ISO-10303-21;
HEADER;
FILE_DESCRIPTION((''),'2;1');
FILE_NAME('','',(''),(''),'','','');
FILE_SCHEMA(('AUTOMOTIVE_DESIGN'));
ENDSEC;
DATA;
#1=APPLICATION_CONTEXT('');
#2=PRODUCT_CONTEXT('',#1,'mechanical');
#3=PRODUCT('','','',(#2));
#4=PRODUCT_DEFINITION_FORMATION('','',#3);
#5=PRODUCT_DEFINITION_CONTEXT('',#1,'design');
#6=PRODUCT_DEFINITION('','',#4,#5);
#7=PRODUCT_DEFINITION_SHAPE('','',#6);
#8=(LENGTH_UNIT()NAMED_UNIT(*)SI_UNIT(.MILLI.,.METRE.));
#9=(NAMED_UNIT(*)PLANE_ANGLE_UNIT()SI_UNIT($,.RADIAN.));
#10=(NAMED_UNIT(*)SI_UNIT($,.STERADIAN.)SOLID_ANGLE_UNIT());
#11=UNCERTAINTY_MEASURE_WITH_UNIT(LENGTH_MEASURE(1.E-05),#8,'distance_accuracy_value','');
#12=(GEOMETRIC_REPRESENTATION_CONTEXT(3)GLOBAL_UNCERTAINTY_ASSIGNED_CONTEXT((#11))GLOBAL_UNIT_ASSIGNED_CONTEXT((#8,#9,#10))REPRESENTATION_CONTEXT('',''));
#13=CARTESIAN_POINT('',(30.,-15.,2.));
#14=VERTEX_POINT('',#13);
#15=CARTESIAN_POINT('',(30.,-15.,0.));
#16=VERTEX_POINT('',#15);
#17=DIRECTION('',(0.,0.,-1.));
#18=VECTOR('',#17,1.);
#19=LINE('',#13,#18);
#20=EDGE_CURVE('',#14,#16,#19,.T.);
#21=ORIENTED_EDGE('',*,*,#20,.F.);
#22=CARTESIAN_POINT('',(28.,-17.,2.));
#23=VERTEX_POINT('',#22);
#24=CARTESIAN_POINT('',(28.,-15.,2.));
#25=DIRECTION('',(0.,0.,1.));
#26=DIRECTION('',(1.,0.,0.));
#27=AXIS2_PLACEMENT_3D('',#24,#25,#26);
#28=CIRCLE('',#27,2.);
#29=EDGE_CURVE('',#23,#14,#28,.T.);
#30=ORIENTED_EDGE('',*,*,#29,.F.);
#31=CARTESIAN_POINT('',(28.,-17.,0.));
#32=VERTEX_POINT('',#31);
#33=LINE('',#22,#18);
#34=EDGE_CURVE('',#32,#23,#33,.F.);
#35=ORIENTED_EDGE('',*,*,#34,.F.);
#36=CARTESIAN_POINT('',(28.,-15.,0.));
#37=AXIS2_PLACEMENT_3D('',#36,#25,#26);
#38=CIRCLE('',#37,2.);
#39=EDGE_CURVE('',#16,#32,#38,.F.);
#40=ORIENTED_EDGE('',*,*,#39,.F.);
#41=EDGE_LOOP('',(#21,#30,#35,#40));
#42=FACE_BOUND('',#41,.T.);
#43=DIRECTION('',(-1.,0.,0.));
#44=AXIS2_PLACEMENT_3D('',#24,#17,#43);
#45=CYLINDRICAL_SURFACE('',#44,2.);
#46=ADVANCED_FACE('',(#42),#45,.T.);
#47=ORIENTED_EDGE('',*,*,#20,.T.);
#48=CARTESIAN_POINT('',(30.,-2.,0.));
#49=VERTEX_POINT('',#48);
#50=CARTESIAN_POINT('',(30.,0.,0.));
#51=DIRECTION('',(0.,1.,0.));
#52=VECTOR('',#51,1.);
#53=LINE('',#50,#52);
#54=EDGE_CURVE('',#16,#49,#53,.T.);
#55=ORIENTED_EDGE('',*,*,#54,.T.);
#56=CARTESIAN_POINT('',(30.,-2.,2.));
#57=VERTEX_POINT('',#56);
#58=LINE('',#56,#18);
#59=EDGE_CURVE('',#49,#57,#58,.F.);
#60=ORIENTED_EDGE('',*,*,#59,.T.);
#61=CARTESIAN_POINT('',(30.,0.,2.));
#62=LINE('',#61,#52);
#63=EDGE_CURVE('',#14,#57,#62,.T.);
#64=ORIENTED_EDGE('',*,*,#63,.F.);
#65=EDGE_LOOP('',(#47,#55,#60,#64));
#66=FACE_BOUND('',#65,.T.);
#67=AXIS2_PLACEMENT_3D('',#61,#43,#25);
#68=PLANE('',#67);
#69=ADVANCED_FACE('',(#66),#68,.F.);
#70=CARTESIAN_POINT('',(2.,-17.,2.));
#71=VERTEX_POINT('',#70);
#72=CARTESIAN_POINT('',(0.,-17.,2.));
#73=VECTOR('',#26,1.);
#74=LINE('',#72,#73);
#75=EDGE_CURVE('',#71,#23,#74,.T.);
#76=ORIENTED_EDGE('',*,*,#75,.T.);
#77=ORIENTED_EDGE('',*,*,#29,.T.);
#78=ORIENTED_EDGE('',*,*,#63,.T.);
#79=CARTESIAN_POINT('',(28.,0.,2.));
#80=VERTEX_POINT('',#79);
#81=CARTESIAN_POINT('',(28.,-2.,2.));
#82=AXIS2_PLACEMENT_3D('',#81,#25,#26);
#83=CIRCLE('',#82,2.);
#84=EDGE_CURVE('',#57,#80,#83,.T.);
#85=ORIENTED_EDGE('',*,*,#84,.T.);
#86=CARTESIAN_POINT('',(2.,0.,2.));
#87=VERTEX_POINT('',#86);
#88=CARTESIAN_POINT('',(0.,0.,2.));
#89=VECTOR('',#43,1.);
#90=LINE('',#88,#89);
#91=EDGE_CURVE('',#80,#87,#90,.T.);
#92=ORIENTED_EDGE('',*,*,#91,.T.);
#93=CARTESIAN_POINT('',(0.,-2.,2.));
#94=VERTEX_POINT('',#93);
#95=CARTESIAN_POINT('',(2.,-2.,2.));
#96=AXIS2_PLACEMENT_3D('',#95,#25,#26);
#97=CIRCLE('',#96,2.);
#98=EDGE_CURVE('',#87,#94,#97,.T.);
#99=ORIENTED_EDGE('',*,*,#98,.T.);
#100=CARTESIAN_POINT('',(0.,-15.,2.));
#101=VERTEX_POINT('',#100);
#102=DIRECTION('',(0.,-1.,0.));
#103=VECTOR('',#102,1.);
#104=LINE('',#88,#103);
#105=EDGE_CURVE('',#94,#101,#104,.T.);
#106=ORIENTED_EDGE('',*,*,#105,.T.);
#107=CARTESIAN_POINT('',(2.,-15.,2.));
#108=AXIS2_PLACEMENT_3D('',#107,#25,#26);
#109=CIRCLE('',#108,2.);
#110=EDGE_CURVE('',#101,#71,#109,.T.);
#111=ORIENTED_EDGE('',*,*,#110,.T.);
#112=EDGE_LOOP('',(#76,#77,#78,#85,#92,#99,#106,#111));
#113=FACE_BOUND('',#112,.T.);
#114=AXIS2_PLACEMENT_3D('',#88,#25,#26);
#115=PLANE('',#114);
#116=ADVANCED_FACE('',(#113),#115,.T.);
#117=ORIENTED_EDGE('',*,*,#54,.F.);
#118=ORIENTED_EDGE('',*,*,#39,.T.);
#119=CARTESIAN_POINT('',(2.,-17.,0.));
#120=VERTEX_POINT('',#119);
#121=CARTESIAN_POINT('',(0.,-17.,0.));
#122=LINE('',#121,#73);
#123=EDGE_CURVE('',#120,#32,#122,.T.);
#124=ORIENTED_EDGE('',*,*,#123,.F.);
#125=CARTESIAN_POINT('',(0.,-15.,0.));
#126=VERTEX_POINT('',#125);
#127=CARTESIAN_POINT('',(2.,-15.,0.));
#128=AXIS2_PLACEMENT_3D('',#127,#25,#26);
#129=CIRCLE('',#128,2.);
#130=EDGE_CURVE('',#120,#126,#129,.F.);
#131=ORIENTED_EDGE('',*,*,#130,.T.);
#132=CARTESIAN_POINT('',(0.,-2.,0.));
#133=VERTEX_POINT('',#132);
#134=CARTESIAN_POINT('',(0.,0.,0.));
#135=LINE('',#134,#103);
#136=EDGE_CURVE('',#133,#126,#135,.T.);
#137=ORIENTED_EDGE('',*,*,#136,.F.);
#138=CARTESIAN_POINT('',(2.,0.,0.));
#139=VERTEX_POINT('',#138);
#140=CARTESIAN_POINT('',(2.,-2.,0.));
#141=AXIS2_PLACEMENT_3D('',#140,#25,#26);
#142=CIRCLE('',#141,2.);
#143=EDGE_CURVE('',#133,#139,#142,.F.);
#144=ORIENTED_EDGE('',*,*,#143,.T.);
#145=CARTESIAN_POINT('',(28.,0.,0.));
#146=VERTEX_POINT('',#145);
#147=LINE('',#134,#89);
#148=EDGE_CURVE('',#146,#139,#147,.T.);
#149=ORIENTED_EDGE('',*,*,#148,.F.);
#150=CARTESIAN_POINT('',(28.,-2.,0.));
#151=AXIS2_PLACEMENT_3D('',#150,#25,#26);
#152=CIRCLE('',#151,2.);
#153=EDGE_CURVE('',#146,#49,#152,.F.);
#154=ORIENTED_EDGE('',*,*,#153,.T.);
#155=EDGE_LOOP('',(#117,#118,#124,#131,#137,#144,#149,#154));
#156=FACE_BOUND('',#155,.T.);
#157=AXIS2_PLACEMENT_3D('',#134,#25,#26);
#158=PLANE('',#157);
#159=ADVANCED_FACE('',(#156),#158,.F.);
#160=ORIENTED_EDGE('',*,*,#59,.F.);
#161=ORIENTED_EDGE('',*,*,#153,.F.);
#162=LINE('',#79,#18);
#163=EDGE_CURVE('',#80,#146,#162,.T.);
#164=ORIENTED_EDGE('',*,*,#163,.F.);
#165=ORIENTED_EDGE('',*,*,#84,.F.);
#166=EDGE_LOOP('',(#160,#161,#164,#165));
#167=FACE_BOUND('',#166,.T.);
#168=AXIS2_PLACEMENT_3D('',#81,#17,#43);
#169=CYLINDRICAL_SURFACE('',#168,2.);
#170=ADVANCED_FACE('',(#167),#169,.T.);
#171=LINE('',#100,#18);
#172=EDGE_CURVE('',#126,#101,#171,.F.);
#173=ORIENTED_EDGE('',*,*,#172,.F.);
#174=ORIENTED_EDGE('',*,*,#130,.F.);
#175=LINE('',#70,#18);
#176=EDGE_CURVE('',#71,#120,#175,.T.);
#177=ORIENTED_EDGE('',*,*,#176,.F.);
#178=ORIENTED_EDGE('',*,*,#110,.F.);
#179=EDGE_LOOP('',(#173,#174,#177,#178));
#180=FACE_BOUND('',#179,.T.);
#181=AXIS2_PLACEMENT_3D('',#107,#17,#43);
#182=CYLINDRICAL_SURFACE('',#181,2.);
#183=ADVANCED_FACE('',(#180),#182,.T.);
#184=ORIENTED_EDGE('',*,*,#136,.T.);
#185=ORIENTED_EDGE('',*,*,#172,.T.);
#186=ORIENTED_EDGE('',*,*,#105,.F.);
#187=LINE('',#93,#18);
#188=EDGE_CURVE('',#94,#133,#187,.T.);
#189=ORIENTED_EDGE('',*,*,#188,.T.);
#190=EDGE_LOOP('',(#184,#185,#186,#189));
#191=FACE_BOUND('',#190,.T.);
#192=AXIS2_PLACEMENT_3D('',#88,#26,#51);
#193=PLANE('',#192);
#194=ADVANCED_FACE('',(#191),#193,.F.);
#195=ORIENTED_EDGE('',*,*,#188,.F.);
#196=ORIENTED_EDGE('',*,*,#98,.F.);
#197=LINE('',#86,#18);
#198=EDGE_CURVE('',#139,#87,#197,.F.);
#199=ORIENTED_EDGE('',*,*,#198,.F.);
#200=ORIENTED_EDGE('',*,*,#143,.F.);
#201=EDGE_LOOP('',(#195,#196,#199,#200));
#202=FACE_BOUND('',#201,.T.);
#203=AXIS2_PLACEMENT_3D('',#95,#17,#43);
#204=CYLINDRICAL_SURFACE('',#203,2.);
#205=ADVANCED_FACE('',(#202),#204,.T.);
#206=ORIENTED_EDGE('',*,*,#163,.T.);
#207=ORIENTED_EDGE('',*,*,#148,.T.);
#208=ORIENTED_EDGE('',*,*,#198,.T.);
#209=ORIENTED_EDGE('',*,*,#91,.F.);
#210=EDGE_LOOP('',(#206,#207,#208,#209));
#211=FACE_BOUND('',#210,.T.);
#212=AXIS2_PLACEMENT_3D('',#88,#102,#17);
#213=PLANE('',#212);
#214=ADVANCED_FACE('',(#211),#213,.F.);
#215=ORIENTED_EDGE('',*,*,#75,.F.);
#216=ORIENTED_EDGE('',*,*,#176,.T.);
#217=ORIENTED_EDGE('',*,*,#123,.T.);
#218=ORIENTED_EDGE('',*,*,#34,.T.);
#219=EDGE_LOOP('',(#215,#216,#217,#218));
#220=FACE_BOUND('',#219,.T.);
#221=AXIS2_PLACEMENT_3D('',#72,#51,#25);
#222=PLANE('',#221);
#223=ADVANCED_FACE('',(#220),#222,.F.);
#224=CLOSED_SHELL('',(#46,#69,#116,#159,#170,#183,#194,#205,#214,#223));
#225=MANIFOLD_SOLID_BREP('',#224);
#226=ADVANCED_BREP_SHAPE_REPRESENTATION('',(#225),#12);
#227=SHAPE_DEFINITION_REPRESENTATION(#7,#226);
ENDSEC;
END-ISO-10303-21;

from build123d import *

# Parameters (mm, degrees)
SKETCH_1_W      = 30
SKETCH_1_H      = 17
EXTRUDE_1_DEPTH = 2
FILLET_1_R      = 2


with BuildPart() as part:
    # 스케치1 → 보스-돌출1 (new body)
    with BuildSketch(Plane.XY):
        with Locations((15, -8.5)):
            Rectangle(SKETCH_1_W, SKETCH_1_H)
    extrude(amount=EXTRUDE_1_DEPTH)

    # 필렛1
    fillet_1_edges = [part.edges().sort_by_distance(p)[0] for p in [
        (0, 0, 1),
        (30, 0, 1),
        (30, -17, 1),
        (0, -17, 1),
    ]]
    fillet(fillet_1_edges, radius=FILLET_1_R)


solid = part.part
